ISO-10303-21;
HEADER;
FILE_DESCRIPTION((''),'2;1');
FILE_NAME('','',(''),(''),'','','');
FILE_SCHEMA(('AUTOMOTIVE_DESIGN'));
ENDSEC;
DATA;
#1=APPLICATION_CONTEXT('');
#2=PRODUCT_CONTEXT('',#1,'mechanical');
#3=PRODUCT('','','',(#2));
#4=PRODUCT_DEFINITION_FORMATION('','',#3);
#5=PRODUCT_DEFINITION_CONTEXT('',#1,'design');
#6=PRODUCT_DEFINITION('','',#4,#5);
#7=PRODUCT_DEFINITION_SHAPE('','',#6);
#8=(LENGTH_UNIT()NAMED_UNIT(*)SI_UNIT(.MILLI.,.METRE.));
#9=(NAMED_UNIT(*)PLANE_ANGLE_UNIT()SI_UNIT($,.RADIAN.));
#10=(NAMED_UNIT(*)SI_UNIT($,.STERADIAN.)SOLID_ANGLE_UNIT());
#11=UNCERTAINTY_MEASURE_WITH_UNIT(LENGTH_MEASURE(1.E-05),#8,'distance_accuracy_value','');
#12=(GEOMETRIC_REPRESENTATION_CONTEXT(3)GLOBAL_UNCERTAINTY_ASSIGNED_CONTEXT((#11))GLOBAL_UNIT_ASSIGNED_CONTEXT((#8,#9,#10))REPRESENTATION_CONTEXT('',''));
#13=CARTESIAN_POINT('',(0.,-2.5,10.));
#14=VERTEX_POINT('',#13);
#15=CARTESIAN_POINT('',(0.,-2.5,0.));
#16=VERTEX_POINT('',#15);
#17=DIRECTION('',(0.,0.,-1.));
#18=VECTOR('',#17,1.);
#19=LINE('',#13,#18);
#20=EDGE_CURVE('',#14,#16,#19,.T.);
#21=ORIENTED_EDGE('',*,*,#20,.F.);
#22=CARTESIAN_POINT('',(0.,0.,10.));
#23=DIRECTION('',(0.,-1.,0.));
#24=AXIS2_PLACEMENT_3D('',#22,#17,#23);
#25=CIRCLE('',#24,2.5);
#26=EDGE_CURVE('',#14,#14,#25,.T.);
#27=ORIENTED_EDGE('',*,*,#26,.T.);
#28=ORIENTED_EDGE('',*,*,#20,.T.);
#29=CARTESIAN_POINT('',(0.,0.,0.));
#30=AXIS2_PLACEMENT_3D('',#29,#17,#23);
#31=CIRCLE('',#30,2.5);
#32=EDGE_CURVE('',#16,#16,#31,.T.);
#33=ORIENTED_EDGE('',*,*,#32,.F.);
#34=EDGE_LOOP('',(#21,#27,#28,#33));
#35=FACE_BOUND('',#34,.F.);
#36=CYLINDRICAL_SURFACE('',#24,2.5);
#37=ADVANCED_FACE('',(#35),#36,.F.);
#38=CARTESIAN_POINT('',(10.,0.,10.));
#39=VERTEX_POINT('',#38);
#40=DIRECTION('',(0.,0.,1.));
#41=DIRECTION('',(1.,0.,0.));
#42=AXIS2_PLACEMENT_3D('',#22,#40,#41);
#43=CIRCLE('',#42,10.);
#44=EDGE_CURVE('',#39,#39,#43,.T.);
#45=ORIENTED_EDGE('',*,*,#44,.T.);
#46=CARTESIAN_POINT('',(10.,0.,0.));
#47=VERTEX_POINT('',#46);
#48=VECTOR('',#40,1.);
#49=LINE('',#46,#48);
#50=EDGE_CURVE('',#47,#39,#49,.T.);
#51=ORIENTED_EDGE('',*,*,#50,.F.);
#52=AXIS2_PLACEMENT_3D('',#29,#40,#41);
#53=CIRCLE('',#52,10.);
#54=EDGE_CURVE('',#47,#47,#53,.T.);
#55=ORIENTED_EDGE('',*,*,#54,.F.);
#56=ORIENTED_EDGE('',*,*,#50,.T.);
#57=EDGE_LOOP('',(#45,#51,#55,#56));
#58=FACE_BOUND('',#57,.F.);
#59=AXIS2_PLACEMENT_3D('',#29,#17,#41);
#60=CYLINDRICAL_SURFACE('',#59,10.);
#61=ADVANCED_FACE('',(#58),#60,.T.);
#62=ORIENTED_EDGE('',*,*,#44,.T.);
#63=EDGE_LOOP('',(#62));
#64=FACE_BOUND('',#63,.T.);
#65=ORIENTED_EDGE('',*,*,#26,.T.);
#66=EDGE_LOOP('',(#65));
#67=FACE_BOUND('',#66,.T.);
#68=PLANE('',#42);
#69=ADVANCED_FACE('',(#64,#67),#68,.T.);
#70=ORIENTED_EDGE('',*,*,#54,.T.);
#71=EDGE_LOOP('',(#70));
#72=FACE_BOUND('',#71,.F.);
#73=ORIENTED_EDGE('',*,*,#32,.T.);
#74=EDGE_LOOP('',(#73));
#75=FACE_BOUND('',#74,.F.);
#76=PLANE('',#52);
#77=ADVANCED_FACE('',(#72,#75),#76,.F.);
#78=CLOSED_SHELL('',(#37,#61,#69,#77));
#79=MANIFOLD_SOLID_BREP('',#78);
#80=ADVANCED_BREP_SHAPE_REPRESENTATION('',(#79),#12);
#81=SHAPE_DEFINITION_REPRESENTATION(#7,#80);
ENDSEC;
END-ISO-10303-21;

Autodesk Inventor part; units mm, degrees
ref_plane "YZ Plane" through (0, 0, 0) normal (1, 0, 0) x (0, 1, 0)
ref_plane "XZ Plane" through (0, 0, 0) normal (0, 1, 0) x (-1, 0, 0)
ref_plane "XY Plane" through (0, 0, 0) normal (0, 0, 1) x (1, 0, 0)
sketch "Sketch1" plane through (0, 0, 0) normal (0, 0, 1) x (1, 0, 0)
  circle A0 centre (0, 0) radius 10
  dimension "d0" = 20
extrude "Extrusion1" add sketch "Sketch1" along normal blind 10
sketch "Sketch2" plane through (0, 0, 10) normal (0, 0, 1) x (1, 0, 0)
  point P0 (0, 0)
hole "Hole1" at (0, 0, 10) direction (0, 0, -1) diameter 5 end through all
properties part number "expo part 2"
